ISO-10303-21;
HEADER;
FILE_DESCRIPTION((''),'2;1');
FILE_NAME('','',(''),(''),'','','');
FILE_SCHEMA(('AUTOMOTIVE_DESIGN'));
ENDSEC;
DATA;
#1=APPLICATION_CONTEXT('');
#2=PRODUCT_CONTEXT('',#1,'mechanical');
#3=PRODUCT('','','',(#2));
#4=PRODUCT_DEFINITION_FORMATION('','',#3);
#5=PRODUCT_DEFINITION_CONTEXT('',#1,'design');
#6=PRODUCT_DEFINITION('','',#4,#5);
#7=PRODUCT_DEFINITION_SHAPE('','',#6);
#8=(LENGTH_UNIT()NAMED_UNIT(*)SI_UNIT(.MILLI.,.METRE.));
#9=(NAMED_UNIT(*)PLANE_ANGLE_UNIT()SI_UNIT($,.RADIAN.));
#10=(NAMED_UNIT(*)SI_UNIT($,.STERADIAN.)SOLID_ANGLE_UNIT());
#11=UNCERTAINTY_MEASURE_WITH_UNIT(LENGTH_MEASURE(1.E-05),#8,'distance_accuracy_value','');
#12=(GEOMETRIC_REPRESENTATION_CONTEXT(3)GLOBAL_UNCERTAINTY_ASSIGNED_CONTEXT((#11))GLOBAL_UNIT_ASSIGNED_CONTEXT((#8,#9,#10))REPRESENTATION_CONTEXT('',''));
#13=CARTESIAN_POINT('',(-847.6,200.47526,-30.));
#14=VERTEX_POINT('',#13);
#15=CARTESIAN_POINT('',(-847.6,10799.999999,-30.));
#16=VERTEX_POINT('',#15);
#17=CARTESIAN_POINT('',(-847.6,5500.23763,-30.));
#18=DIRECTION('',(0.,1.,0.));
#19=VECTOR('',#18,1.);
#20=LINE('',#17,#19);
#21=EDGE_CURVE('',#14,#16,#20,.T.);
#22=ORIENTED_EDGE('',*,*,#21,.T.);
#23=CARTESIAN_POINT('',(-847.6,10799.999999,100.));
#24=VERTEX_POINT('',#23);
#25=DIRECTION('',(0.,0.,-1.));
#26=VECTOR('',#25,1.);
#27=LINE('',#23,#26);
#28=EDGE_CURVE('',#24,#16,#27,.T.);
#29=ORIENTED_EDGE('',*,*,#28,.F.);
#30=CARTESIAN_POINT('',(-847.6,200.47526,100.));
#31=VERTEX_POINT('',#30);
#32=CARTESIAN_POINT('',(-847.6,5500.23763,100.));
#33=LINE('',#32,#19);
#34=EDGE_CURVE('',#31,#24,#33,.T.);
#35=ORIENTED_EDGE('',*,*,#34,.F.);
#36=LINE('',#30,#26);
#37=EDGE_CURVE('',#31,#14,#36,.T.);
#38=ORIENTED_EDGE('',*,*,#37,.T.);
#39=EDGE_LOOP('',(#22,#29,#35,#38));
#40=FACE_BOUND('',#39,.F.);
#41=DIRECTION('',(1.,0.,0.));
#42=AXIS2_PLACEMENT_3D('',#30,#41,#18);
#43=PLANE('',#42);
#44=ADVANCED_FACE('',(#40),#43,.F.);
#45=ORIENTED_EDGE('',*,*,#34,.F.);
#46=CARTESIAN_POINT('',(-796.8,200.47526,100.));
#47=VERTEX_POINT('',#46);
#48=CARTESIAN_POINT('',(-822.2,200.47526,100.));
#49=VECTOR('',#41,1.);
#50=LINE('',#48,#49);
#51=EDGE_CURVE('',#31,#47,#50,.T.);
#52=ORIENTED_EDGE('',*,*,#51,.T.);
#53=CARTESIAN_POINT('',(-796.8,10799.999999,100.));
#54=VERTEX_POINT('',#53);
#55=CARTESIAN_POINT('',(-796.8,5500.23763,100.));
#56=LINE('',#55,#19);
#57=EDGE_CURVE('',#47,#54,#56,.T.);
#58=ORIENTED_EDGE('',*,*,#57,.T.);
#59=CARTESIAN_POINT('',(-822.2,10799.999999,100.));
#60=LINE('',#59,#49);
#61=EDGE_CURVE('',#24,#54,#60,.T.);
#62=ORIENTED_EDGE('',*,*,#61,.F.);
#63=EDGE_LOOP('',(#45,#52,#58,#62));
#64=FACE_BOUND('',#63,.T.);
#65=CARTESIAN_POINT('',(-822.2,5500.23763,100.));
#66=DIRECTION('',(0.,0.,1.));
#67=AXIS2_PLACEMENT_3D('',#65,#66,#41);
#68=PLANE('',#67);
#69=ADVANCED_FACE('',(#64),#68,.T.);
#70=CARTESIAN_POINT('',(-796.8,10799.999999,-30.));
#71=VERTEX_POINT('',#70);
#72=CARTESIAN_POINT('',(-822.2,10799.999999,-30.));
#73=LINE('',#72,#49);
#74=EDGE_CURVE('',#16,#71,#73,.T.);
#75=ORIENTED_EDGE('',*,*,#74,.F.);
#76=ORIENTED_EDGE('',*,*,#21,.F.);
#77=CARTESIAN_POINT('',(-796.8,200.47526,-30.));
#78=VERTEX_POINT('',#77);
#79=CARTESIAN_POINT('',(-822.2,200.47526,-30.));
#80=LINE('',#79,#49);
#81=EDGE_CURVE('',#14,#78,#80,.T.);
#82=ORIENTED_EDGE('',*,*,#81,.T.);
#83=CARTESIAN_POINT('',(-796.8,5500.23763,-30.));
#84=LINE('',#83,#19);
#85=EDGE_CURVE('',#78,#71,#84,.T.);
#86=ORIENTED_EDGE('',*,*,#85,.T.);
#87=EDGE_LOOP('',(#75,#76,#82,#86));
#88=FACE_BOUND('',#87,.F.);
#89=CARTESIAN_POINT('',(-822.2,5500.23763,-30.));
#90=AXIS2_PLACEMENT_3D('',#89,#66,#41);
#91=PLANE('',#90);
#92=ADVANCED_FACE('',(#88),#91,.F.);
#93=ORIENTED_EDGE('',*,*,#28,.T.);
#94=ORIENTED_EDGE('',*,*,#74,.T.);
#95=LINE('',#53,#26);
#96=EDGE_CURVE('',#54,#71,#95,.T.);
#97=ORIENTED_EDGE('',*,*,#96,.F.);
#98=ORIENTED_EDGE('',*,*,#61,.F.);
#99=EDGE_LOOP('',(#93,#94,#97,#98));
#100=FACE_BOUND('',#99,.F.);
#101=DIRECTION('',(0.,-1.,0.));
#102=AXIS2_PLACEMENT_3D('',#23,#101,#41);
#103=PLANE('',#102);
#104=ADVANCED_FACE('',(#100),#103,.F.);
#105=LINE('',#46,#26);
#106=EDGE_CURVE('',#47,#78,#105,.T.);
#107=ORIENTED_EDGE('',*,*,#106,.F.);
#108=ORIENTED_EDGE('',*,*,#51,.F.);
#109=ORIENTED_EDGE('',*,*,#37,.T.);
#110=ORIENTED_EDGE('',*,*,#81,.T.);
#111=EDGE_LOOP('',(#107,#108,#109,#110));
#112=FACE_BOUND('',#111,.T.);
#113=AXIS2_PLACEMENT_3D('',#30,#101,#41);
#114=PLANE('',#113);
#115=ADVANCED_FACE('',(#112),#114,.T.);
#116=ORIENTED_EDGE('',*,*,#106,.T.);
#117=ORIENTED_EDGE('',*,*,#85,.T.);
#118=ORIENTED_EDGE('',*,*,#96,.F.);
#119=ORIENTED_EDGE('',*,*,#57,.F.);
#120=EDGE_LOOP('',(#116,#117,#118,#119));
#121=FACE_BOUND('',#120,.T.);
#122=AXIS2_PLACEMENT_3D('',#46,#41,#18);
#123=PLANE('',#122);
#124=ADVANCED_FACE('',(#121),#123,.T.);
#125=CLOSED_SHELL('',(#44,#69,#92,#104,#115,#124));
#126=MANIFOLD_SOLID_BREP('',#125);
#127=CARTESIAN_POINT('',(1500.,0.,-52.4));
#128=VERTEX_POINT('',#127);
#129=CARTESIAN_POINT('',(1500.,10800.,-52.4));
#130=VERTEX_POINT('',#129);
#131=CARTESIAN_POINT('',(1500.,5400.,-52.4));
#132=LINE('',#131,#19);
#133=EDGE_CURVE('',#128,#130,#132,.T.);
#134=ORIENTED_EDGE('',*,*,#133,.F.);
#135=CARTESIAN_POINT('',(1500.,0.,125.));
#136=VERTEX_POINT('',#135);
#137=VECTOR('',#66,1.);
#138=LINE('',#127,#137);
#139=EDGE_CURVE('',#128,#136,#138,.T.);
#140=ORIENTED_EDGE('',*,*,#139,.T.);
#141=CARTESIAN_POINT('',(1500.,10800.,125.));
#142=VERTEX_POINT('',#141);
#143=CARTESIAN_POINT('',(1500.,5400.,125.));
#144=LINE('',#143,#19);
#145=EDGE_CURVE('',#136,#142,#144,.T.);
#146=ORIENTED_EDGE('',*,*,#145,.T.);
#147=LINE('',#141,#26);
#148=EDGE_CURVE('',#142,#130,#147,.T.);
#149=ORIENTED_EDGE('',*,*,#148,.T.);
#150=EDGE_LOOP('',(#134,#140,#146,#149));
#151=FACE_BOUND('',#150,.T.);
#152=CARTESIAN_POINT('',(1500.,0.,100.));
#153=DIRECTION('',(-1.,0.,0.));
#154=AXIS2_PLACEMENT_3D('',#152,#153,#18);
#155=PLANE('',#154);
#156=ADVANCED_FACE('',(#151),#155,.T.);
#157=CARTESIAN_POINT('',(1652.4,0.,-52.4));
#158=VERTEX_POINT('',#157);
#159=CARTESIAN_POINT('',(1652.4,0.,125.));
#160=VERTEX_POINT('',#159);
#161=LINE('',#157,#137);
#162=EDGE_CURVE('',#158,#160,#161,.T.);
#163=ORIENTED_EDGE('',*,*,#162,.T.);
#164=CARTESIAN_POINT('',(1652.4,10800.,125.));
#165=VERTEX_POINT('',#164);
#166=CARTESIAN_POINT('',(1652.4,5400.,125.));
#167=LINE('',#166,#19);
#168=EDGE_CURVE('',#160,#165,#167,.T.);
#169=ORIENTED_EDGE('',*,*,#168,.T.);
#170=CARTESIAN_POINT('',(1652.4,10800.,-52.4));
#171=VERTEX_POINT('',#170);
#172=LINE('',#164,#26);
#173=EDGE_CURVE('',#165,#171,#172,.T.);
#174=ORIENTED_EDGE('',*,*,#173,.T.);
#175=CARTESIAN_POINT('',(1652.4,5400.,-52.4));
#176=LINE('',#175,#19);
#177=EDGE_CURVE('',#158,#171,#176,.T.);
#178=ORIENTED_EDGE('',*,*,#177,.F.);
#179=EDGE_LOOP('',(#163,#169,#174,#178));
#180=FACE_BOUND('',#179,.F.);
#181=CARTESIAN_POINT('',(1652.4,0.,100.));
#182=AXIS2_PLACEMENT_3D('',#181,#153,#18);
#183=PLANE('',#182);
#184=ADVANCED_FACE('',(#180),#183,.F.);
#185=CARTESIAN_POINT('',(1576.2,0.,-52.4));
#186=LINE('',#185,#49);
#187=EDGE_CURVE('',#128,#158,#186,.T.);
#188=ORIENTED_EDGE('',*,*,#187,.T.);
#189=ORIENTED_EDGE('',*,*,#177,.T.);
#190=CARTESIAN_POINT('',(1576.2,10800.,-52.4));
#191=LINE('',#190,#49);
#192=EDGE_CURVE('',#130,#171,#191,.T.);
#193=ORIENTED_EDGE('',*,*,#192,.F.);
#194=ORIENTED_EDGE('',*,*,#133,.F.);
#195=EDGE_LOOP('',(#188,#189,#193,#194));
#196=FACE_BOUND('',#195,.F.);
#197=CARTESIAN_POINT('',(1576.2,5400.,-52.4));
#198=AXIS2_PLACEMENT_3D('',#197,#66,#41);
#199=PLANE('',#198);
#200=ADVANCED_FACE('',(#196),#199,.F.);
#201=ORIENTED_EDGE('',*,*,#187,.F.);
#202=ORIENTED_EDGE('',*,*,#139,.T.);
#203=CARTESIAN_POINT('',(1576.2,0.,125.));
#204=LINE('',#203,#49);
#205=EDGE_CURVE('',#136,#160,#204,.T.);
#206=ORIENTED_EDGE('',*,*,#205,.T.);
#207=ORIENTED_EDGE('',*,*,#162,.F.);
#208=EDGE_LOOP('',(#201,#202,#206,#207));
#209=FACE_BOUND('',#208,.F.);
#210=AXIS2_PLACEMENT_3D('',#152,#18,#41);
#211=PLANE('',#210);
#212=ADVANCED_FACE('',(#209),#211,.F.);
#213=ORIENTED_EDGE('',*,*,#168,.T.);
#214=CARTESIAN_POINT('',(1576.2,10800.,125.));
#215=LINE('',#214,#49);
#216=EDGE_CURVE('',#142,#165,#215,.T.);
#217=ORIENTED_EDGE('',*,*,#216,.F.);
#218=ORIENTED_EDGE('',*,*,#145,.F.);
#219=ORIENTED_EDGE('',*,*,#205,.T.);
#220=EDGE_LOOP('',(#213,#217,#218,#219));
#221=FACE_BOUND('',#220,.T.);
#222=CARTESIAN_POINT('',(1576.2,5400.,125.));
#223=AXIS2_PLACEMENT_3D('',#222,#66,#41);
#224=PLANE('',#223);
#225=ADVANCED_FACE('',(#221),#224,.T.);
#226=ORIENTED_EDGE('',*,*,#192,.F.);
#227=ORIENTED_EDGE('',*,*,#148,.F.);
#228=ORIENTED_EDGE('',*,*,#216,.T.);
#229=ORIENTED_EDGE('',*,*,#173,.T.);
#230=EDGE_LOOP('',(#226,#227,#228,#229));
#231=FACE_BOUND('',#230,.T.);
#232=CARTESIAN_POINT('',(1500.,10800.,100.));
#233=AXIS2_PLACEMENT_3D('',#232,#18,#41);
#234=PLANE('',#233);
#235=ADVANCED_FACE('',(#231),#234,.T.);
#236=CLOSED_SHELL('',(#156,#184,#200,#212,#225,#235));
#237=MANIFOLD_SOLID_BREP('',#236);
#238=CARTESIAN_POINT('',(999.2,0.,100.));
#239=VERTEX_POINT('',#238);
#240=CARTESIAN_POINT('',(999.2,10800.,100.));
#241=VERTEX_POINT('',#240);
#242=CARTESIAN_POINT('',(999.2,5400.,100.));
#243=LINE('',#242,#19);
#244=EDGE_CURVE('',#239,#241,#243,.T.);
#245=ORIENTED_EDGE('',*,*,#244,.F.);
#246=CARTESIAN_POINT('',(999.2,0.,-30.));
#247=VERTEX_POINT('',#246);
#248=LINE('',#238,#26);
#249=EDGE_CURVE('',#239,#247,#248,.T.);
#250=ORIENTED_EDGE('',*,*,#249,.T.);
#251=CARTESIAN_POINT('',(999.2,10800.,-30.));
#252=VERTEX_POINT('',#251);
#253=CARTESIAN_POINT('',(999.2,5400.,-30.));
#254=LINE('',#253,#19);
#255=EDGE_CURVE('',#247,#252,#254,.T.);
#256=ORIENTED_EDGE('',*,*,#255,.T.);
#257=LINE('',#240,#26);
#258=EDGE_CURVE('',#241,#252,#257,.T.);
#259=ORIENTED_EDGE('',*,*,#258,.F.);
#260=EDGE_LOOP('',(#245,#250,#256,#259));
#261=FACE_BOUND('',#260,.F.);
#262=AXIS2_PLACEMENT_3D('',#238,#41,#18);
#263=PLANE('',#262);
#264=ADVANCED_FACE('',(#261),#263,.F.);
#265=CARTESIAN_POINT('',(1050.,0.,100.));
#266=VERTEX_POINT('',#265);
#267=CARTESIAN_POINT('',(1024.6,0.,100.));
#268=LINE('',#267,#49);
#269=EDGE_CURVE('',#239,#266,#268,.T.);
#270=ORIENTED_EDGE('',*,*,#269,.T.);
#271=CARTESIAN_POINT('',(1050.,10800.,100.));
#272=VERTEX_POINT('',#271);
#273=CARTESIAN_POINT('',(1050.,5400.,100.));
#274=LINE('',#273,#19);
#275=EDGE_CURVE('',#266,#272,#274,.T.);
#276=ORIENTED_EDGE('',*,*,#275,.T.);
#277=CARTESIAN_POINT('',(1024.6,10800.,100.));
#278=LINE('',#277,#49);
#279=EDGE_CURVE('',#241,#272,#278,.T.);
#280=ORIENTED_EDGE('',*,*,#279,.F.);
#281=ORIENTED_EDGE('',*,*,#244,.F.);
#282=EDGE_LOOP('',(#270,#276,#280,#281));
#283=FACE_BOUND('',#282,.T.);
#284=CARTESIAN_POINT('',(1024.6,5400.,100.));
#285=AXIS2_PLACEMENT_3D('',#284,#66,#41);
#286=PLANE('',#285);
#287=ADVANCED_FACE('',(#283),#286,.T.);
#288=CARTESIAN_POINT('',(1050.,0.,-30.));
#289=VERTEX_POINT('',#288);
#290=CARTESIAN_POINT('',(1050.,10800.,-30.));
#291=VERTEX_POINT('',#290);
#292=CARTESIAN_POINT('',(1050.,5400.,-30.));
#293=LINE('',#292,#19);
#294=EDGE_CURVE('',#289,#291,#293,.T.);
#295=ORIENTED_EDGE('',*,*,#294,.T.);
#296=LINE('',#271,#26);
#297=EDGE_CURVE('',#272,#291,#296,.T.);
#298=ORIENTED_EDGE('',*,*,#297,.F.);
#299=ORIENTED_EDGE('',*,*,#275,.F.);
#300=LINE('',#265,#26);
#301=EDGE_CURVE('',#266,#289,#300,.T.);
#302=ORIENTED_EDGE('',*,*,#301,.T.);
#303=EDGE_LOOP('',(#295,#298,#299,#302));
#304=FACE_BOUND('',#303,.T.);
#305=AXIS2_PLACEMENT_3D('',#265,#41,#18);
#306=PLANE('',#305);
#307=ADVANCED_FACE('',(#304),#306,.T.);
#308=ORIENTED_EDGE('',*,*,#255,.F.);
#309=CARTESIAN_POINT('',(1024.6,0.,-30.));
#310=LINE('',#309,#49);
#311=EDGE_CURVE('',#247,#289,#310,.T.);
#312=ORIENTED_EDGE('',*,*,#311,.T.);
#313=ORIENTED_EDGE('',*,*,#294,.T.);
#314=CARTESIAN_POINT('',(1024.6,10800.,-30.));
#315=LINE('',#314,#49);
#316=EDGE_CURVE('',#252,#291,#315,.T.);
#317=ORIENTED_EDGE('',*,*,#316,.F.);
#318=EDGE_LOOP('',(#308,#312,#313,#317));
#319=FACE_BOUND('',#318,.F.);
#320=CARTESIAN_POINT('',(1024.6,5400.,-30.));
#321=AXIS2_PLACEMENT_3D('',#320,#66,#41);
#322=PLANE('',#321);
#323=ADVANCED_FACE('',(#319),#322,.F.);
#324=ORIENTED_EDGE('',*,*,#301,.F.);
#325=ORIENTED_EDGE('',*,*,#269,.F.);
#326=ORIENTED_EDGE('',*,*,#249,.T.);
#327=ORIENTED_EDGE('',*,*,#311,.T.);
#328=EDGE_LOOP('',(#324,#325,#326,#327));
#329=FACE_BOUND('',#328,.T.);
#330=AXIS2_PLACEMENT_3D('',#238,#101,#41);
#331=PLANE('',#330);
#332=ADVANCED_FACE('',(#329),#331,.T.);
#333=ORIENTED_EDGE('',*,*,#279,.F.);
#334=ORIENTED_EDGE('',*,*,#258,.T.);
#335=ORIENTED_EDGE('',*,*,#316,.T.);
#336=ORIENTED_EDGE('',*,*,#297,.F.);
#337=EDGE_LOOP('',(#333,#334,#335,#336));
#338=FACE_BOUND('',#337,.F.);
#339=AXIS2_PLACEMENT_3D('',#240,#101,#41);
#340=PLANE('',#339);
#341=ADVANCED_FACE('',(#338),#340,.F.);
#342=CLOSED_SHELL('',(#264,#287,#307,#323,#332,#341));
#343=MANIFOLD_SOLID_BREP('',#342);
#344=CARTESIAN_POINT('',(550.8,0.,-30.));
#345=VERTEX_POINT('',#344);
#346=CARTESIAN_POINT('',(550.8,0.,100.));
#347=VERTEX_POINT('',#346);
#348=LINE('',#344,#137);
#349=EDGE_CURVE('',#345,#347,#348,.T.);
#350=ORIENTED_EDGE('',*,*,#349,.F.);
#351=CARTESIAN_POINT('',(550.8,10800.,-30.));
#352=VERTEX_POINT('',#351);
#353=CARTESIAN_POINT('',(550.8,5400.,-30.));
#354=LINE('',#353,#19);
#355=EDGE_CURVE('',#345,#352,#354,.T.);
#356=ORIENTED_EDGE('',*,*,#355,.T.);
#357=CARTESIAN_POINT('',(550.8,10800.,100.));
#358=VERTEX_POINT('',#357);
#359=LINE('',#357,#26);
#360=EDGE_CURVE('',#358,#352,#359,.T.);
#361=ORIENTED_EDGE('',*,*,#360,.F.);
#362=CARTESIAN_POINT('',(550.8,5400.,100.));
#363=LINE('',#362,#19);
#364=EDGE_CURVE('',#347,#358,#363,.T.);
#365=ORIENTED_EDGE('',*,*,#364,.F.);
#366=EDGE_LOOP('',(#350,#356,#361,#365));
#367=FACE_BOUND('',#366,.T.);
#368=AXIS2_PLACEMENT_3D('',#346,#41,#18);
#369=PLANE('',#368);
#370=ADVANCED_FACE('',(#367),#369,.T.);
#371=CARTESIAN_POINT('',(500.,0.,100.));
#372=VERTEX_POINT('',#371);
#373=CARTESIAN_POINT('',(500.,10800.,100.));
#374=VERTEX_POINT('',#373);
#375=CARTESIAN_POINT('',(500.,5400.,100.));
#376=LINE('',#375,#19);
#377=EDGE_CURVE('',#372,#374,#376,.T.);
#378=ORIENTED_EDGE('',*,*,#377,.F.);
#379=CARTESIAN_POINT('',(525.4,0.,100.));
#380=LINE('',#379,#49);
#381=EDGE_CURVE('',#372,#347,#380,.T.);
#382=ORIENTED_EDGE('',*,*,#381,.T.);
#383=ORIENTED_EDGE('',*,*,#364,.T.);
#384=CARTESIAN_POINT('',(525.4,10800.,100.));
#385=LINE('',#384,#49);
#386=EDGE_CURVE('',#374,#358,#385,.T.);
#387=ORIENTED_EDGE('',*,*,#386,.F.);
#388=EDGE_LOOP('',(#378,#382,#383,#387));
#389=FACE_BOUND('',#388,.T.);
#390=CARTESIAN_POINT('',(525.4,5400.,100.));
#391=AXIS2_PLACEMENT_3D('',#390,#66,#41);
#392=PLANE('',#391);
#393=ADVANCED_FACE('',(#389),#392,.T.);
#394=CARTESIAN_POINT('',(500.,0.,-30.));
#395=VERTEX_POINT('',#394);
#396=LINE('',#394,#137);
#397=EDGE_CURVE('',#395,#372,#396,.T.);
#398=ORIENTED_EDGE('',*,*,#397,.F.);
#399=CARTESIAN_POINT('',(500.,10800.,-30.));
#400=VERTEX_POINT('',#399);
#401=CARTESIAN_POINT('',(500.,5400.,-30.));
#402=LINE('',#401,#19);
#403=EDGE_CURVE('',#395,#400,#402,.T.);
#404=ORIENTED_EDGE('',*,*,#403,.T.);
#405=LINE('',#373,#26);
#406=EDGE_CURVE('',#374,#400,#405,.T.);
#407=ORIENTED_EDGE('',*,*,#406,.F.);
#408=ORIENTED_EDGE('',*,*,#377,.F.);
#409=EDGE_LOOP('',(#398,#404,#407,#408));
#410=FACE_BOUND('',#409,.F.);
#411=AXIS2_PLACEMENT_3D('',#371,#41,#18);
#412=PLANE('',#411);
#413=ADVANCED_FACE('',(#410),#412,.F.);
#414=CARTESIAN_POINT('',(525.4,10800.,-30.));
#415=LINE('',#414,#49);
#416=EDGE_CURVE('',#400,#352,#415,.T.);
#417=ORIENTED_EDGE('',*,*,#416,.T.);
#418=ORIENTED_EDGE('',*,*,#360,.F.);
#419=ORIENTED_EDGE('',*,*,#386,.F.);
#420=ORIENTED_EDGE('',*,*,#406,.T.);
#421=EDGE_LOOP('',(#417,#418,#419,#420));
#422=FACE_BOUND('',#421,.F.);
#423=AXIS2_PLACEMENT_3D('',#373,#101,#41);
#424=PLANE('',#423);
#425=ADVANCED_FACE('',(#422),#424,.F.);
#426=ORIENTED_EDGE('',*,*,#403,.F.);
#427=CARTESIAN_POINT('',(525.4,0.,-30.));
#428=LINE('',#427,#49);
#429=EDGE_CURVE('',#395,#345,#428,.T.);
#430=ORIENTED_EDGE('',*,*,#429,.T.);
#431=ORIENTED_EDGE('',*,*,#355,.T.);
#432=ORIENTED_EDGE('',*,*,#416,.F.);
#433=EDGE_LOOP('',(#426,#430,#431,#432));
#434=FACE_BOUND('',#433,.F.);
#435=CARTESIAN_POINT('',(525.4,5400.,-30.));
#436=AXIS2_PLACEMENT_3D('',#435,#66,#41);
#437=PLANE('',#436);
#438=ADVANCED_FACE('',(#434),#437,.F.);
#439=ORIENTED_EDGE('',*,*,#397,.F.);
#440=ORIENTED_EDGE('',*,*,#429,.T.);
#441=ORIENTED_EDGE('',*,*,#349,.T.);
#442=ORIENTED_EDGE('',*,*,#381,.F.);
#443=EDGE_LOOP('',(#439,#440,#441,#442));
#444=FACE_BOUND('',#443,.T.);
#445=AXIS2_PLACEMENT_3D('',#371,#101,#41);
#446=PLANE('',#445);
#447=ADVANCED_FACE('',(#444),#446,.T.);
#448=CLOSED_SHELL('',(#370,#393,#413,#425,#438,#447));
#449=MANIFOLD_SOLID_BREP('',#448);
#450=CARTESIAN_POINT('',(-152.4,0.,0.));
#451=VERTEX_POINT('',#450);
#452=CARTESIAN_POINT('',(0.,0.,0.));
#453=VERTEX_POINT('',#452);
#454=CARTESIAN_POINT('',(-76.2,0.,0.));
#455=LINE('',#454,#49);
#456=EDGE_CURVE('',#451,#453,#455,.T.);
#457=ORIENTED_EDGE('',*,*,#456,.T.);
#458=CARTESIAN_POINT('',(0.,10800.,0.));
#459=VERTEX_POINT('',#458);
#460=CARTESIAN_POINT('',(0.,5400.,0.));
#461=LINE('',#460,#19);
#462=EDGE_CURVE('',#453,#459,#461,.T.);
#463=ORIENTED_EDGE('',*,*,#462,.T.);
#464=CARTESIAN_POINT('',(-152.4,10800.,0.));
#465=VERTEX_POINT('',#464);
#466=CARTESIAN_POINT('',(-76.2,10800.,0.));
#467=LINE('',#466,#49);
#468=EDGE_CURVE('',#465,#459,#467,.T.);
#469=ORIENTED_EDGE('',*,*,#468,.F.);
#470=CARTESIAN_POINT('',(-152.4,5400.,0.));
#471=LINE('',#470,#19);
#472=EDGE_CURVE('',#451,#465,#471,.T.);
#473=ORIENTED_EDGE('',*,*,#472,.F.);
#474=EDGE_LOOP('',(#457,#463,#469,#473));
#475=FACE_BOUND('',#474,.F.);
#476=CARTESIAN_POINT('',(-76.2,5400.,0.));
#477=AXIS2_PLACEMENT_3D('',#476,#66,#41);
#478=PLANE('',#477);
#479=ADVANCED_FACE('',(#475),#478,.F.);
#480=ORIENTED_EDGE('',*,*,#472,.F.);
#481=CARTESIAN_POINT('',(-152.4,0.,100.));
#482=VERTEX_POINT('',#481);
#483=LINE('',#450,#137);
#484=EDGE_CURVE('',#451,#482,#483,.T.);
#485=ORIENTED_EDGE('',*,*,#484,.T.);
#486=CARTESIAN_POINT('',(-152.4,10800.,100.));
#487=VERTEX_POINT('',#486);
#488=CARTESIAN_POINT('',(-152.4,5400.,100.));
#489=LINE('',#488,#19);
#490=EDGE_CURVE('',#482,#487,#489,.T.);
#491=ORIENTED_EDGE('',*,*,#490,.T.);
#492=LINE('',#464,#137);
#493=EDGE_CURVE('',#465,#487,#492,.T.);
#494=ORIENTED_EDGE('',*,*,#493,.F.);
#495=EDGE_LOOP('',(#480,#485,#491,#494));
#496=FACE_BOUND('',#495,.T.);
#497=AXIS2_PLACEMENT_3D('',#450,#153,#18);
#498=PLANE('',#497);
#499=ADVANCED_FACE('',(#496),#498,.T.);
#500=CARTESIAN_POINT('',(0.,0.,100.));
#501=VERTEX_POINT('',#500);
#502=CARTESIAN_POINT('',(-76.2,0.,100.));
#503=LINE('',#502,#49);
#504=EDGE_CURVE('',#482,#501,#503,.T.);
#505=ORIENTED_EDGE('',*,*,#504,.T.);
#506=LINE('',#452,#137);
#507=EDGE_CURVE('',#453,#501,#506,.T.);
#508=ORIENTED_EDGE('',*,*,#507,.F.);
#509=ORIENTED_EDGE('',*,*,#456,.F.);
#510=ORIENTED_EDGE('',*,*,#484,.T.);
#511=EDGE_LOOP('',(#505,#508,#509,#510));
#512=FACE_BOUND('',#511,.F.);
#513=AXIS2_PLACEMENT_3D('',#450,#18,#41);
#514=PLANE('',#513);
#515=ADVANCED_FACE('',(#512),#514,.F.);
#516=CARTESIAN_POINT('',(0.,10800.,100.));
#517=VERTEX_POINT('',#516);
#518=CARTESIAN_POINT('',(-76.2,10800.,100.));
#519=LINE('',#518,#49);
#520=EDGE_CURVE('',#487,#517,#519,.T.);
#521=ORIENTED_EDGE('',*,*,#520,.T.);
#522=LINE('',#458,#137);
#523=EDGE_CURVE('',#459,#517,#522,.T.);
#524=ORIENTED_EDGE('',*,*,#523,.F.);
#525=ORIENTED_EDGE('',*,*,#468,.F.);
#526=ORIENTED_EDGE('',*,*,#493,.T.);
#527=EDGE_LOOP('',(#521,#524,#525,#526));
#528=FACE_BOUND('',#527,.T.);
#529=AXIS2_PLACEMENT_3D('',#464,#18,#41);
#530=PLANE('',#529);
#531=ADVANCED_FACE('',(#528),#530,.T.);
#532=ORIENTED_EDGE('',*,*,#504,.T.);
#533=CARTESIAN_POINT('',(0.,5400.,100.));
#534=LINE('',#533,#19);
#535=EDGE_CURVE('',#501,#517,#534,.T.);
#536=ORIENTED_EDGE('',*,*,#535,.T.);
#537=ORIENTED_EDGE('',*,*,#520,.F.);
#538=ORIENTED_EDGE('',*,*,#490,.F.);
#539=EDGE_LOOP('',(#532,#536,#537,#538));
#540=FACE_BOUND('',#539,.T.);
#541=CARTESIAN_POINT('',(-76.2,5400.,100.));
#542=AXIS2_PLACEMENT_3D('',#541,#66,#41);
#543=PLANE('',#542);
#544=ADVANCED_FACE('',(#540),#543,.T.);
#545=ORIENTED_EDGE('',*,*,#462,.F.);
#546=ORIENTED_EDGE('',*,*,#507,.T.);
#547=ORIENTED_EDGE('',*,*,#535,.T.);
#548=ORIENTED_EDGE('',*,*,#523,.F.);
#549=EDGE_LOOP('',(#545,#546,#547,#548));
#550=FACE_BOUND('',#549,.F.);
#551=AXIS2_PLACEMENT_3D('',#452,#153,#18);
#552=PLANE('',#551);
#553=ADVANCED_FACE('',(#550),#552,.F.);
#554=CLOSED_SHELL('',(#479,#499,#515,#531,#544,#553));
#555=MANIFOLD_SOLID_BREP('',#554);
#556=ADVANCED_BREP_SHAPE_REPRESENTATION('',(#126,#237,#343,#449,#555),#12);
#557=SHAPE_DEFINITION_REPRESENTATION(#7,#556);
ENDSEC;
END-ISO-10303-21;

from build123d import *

# Parameters (mm, degrees)
F0_W     = 152.4
F0_H     = 10800
F1_DEPTH = 100
F2_W     = 152.4
F2_H     = 10800
F3_DEPTH = 152.4
F4_W     = 50.8
F4_H     = 10800
F5_DEPTH = 127
F4_H_2   = 10599.524739
F6_DEPTH = 130
F7_DEPTH = 25


with BuildPart() as f1:
    # F0 (on Top) → F1 (new body)
    with BuildSketch(Plane.XY):
        with Locations((-76.2, 5400)):
            Rectangle(F0_W, F0_H)
    extrude(amount=F1_DEPTH)


with BuildPart() as f3:
    # F2 (on face) → F3 (new body)
    with BuildSketch(Plane.XY.offset(100)):
        with Locations((1576.2, 5400)):
            Rectangle(F2_W, F2_H)
    extrude(amount=-F3_DEPTH)

    # F2 (on face) → F7 (join)
    with BuildSketch(Plane.XY.offset(100)):
        with Locations((1576.2, 5400)):
            Rectangle(F2_W, F2_H)
    extrude(amount=F7_DEPTH)


with BuildPart() as f5:
    # F4 (on face) → F5 (new body)
    with BuildSketch(Plane.XY.offset(100)):
        with Locations((525.4, 5400)):
            Rectangle(F4_W, F4_H)
    extrude(amount=-F5_DEPTH)

    # F4 (on face) → F6 (join)
    with BuildSketch(Plane.XY.offset(100)):
        with Locations((525.4, 5400)):
            Rectangle(F4_W, F4_H)
        with Locations((1024.6, 5400)):
            Rectangle(F4_W, F4_H)
        with Locations((-822.2, 5500.23763)):
            Rectangle(F4_W, F4_H_2)
    extrude(amount=-F6_DEPTH)


solid = Compound([f1.part, f3.part, f5.part])
